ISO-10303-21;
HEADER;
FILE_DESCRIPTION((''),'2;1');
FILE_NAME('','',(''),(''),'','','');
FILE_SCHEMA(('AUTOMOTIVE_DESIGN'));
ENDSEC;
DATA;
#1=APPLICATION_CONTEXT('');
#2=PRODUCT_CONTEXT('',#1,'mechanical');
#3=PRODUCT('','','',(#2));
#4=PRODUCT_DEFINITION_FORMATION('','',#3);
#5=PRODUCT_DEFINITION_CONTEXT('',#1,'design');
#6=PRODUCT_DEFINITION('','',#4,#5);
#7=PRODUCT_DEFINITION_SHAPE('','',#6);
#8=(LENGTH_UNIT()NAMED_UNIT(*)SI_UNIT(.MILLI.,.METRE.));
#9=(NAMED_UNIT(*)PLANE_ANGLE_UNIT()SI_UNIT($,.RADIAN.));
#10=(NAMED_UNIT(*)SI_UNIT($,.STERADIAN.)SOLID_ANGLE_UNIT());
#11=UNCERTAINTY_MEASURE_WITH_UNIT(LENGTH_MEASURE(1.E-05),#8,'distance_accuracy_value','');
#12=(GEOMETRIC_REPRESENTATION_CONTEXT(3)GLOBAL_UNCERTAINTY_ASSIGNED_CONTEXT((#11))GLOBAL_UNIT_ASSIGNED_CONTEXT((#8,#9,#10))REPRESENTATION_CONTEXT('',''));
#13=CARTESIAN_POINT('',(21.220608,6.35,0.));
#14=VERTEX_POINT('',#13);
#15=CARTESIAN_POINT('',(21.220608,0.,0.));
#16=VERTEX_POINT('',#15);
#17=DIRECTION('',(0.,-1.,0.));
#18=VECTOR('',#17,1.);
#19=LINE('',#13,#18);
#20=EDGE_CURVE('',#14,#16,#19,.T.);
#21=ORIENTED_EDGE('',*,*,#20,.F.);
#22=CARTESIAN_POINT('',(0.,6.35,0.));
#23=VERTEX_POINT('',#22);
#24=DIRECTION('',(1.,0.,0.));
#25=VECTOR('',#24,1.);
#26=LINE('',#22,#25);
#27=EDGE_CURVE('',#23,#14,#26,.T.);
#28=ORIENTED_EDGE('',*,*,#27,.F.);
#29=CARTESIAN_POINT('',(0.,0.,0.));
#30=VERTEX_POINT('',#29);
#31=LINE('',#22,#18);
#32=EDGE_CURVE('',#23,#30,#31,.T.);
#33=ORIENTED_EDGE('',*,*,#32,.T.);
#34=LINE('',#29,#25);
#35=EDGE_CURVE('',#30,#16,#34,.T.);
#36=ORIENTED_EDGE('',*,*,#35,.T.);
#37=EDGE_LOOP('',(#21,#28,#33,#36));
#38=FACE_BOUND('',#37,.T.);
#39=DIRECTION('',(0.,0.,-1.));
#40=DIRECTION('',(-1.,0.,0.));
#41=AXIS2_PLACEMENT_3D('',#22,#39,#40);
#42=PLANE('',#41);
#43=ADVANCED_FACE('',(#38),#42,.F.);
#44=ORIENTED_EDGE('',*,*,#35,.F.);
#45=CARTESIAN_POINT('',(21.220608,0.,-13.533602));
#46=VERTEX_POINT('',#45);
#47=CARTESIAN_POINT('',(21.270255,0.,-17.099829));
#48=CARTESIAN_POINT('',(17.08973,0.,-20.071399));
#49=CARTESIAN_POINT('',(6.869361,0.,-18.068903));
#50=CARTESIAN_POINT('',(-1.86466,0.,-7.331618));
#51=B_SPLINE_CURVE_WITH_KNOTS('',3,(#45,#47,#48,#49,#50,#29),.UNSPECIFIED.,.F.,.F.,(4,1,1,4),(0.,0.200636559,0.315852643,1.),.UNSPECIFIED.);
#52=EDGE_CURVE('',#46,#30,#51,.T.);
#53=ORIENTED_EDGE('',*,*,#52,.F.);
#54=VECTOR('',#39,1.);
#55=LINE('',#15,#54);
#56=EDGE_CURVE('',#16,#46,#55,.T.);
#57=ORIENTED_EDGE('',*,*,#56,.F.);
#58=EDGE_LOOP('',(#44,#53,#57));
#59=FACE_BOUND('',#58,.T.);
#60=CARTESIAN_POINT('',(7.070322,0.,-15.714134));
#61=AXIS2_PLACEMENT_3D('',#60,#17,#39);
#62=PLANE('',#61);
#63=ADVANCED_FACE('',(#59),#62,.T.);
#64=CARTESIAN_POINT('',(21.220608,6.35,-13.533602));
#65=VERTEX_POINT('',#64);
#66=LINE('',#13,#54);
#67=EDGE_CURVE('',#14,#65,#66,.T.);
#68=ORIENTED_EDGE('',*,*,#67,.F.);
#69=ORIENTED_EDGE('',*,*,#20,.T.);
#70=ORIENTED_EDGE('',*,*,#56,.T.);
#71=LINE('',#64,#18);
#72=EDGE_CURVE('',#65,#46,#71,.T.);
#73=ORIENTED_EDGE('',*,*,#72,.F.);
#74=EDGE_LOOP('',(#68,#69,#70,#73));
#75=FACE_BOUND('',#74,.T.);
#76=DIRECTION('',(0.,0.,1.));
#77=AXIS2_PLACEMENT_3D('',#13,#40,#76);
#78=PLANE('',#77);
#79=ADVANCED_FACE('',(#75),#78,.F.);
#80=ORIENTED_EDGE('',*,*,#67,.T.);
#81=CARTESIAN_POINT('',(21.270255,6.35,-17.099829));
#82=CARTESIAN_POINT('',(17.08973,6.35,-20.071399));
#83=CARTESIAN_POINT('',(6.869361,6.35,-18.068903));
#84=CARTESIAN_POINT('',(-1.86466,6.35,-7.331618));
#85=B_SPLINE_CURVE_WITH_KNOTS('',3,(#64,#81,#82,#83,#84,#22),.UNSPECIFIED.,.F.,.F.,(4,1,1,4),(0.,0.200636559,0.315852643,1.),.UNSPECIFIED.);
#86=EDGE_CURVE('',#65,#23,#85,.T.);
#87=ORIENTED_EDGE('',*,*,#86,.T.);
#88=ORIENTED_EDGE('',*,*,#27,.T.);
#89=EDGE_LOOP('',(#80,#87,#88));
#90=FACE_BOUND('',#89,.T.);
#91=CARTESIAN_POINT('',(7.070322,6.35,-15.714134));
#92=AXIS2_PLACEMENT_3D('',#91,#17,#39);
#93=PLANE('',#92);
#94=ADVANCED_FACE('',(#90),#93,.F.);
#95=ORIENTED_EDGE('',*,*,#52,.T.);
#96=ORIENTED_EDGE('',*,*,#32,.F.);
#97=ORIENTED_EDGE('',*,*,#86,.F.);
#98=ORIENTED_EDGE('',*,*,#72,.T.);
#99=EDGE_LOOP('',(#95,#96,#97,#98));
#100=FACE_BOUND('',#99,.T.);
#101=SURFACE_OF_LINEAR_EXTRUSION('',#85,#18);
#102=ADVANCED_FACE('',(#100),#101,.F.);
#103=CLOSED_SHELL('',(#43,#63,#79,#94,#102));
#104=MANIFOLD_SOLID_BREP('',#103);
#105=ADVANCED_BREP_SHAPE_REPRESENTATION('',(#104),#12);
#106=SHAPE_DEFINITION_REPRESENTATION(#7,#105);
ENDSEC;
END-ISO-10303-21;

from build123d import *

# Parameters (mm, degrees)
BOSS_EXTRUDE1_DEPTH = 6.35


with BuildPart() as part:
    # Sketch1 → Boss-Extrude1 (new body)
    with BuildSketch(Plane(origin=(0, 0, 0), x_dir=(1, 0, 0), z_dir=(0, 1, 0))):
        with BuildLine():
            Line((0, 0), (21.220608204, 0))
            Line((21.220608204, 0), (21.220608204, 13.533601596))
            add(Edge.make_bspline(
                [(21.220608204, 13.533601596), (21.270255127, 17.099829109), (17.089729968, 20.071398977), (6.869360689, 18.068902738), (-1.864659781, 7.331618204), (0, 0)],
                knots=[0, 0, 0, 0, 0.200636559, 0.315852643, 1, 1, 1, 1], degree=3))
        make_face()
    extrude(amount=BOSS_EXTRUDE1_DEPTH)


solid = part.part
